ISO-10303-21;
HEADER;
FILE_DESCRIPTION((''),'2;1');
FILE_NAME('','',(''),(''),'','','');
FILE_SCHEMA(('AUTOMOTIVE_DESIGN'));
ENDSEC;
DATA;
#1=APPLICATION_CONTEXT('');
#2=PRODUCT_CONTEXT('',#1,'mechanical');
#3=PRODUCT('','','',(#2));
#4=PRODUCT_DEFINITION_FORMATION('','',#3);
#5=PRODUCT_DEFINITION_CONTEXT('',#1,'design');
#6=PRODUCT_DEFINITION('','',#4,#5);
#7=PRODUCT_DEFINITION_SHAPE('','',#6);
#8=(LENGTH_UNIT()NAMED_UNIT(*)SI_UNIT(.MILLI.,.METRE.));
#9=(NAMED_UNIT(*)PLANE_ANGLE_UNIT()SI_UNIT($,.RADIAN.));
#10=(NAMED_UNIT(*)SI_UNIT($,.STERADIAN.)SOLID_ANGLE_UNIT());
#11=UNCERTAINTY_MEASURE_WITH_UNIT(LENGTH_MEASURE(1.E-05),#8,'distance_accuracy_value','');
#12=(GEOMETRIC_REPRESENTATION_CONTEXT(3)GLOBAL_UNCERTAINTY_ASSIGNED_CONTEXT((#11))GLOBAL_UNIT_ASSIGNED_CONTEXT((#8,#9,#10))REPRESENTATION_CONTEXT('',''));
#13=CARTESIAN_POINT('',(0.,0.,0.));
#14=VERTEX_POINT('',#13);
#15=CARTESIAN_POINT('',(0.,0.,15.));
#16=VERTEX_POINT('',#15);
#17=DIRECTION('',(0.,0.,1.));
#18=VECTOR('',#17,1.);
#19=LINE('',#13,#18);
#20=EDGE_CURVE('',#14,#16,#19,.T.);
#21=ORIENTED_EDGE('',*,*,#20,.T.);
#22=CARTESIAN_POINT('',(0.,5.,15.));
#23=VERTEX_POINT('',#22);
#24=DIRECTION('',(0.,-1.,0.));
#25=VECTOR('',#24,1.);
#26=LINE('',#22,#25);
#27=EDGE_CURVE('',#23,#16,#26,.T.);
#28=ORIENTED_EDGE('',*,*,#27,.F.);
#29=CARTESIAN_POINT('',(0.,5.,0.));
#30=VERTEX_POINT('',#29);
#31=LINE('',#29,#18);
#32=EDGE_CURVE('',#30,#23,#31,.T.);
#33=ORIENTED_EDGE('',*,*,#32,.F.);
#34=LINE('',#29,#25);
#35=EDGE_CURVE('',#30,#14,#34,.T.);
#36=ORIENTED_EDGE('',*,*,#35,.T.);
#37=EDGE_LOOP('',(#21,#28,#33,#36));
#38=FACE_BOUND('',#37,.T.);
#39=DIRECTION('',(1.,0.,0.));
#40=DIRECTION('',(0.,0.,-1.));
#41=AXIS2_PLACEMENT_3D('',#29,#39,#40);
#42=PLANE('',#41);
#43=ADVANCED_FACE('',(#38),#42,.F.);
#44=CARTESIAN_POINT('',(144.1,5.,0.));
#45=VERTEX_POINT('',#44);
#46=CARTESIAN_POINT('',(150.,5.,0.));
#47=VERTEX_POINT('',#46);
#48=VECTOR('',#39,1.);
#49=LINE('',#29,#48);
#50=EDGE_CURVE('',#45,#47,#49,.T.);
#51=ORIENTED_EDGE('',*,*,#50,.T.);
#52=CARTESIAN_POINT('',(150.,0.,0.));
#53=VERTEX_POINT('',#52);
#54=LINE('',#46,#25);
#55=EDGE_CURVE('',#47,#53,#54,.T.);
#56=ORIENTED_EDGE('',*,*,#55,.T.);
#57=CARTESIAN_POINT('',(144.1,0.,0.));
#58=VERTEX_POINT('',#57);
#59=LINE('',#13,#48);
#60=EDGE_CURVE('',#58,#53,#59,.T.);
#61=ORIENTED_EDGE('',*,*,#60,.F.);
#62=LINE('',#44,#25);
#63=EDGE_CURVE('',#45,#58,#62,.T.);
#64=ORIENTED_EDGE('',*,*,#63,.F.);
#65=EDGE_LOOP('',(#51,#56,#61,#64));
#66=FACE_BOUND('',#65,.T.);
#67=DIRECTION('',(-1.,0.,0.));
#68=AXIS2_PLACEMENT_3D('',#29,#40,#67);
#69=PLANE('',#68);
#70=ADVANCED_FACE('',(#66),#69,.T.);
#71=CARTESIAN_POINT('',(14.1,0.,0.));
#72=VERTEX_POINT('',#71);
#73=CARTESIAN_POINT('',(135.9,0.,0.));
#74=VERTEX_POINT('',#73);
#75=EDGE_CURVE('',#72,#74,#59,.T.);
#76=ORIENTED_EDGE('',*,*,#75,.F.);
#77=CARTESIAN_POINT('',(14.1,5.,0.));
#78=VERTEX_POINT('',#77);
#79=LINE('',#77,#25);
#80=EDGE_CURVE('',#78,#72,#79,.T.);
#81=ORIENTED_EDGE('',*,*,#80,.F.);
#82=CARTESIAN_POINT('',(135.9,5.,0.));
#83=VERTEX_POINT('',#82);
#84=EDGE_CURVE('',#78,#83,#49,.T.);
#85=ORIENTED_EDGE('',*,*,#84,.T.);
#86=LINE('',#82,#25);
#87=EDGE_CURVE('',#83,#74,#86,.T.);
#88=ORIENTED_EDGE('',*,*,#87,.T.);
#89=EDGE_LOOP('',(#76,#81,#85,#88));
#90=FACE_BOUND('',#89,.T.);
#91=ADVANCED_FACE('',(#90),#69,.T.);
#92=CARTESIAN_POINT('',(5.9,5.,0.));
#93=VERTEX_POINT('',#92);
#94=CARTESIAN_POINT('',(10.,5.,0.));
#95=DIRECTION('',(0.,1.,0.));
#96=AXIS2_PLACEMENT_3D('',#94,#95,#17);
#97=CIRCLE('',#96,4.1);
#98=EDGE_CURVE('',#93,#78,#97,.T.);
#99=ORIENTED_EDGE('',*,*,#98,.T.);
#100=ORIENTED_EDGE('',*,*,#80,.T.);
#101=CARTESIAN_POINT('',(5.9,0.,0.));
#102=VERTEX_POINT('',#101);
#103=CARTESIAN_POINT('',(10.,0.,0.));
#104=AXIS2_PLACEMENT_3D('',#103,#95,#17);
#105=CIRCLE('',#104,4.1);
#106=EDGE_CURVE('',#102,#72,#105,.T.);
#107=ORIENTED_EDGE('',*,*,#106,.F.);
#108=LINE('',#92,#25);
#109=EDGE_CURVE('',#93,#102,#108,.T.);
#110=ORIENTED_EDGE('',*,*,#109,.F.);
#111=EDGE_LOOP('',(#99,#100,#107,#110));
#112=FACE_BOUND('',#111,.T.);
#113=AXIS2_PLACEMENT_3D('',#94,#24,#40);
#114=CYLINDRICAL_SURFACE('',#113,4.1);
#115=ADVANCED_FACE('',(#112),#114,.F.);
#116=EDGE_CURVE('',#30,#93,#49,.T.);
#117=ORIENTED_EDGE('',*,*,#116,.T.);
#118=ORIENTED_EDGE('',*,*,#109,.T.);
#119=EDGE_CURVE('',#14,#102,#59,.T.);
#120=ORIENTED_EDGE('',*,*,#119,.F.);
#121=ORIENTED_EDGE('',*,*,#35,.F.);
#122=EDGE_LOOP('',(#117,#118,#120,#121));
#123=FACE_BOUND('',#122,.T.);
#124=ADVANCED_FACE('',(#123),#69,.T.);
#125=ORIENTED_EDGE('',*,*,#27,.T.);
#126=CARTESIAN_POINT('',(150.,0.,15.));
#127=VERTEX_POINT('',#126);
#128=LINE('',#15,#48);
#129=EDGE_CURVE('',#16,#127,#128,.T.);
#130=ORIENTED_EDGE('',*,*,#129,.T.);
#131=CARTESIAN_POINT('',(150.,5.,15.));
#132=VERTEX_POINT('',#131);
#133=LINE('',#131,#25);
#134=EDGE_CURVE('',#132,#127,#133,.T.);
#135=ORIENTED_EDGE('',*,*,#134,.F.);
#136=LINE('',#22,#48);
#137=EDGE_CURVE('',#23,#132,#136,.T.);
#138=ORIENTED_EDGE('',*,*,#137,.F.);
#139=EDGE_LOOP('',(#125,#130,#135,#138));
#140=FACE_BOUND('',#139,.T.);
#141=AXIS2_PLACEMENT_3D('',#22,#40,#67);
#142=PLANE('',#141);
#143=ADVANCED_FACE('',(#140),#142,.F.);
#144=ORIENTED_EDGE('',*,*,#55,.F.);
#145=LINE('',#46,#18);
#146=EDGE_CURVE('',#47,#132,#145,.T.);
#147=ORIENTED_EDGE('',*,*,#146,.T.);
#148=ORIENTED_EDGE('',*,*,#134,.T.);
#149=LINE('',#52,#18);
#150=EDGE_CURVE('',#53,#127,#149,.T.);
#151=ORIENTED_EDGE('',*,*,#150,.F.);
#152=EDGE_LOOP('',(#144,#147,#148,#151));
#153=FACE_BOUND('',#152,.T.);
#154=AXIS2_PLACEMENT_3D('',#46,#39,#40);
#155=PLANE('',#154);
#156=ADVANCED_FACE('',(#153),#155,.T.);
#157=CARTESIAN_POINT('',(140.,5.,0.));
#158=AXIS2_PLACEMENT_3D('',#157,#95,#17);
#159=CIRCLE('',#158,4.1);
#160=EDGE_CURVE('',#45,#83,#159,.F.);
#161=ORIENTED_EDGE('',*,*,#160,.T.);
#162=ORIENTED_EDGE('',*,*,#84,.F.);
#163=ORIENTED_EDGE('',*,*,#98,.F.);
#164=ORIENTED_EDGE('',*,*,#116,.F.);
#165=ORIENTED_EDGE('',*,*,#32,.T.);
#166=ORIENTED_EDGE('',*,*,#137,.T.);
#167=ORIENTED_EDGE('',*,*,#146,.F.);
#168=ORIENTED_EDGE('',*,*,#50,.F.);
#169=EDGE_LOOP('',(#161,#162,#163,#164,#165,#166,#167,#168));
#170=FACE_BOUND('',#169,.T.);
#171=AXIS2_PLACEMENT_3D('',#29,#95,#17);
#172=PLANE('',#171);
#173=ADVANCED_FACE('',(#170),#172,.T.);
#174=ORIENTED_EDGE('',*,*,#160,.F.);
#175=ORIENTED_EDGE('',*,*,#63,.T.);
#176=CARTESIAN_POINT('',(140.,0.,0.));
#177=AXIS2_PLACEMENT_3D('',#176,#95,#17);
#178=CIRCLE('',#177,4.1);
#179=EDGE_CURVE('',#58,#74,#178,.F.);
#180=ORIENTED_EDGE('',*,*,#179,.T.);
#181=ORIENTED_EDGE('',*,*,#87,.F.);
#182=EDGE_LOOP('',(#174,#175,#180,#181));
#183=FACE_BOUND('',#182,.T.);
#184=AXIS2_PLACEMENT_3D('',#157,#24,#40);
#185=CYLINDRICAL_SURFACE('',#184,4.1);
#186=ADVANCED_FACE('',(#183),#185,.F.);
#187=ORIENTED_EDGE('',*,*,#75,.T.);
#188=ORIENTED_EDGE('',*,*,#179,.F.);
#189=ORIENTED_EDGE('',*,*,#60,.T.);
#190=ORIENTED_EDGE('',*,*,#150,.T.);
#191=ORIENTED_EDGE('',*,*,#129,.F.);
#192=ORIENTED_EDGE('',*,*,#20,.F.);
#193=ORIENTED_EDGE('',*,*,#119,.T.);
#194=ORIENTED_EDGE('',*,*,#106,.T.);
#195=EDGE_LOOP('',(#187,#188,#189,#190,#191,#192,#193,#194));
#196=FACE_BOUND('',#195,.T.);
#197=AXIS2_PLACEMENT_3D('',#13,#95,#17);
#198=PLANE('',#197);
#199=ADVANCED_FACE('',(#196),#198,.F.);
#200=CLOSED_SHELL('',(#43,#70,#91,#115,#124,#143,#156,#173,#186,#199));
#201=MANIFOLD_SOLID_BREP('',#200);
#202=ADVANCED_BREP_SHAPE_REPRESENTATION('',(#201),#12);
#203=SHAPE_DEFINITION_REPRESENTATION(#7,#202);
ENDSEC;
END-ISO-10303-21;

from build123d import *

# Parameters (mm, degrees)
BOSS_EXTRUDE1_DEPTH = 5


with BuildPart() as part:
    # Sketch1 → Boss-Extrude1 (new body)
    with BuildSketch(Plane(origin=(0, 0, 0), x_dir=(1, 0, 0), z_dir=(0, 1, 0))):
        with BuildLine():
            Line((75, -15), (75, 0))
            Line((75, 0), (14.1, 0))
            ThreePointArc((14.1, 0), (10, -4.1), (5.9, 0))
            Line((5.9, 0), (0, 0))
            Line((0, 0), (0, -15))
            Line((0, -15), (75, -15))
        make_face()
        with BuildLine():
            Line((135.9, 0), (75, 0))
            Line((75, 0), (75, -15))
            Line((75, -15), (150, -15))
            Line((150, -15), (150, 0))
            Line((150, 0), (144.1, 0))
            ThreePointArc((144.1, 0), (140, -4.1), (135.9, 0))
        make_face()
    extrude(amount=BOSS_EXTRUDE1_DEPTH)


solid = part.part
